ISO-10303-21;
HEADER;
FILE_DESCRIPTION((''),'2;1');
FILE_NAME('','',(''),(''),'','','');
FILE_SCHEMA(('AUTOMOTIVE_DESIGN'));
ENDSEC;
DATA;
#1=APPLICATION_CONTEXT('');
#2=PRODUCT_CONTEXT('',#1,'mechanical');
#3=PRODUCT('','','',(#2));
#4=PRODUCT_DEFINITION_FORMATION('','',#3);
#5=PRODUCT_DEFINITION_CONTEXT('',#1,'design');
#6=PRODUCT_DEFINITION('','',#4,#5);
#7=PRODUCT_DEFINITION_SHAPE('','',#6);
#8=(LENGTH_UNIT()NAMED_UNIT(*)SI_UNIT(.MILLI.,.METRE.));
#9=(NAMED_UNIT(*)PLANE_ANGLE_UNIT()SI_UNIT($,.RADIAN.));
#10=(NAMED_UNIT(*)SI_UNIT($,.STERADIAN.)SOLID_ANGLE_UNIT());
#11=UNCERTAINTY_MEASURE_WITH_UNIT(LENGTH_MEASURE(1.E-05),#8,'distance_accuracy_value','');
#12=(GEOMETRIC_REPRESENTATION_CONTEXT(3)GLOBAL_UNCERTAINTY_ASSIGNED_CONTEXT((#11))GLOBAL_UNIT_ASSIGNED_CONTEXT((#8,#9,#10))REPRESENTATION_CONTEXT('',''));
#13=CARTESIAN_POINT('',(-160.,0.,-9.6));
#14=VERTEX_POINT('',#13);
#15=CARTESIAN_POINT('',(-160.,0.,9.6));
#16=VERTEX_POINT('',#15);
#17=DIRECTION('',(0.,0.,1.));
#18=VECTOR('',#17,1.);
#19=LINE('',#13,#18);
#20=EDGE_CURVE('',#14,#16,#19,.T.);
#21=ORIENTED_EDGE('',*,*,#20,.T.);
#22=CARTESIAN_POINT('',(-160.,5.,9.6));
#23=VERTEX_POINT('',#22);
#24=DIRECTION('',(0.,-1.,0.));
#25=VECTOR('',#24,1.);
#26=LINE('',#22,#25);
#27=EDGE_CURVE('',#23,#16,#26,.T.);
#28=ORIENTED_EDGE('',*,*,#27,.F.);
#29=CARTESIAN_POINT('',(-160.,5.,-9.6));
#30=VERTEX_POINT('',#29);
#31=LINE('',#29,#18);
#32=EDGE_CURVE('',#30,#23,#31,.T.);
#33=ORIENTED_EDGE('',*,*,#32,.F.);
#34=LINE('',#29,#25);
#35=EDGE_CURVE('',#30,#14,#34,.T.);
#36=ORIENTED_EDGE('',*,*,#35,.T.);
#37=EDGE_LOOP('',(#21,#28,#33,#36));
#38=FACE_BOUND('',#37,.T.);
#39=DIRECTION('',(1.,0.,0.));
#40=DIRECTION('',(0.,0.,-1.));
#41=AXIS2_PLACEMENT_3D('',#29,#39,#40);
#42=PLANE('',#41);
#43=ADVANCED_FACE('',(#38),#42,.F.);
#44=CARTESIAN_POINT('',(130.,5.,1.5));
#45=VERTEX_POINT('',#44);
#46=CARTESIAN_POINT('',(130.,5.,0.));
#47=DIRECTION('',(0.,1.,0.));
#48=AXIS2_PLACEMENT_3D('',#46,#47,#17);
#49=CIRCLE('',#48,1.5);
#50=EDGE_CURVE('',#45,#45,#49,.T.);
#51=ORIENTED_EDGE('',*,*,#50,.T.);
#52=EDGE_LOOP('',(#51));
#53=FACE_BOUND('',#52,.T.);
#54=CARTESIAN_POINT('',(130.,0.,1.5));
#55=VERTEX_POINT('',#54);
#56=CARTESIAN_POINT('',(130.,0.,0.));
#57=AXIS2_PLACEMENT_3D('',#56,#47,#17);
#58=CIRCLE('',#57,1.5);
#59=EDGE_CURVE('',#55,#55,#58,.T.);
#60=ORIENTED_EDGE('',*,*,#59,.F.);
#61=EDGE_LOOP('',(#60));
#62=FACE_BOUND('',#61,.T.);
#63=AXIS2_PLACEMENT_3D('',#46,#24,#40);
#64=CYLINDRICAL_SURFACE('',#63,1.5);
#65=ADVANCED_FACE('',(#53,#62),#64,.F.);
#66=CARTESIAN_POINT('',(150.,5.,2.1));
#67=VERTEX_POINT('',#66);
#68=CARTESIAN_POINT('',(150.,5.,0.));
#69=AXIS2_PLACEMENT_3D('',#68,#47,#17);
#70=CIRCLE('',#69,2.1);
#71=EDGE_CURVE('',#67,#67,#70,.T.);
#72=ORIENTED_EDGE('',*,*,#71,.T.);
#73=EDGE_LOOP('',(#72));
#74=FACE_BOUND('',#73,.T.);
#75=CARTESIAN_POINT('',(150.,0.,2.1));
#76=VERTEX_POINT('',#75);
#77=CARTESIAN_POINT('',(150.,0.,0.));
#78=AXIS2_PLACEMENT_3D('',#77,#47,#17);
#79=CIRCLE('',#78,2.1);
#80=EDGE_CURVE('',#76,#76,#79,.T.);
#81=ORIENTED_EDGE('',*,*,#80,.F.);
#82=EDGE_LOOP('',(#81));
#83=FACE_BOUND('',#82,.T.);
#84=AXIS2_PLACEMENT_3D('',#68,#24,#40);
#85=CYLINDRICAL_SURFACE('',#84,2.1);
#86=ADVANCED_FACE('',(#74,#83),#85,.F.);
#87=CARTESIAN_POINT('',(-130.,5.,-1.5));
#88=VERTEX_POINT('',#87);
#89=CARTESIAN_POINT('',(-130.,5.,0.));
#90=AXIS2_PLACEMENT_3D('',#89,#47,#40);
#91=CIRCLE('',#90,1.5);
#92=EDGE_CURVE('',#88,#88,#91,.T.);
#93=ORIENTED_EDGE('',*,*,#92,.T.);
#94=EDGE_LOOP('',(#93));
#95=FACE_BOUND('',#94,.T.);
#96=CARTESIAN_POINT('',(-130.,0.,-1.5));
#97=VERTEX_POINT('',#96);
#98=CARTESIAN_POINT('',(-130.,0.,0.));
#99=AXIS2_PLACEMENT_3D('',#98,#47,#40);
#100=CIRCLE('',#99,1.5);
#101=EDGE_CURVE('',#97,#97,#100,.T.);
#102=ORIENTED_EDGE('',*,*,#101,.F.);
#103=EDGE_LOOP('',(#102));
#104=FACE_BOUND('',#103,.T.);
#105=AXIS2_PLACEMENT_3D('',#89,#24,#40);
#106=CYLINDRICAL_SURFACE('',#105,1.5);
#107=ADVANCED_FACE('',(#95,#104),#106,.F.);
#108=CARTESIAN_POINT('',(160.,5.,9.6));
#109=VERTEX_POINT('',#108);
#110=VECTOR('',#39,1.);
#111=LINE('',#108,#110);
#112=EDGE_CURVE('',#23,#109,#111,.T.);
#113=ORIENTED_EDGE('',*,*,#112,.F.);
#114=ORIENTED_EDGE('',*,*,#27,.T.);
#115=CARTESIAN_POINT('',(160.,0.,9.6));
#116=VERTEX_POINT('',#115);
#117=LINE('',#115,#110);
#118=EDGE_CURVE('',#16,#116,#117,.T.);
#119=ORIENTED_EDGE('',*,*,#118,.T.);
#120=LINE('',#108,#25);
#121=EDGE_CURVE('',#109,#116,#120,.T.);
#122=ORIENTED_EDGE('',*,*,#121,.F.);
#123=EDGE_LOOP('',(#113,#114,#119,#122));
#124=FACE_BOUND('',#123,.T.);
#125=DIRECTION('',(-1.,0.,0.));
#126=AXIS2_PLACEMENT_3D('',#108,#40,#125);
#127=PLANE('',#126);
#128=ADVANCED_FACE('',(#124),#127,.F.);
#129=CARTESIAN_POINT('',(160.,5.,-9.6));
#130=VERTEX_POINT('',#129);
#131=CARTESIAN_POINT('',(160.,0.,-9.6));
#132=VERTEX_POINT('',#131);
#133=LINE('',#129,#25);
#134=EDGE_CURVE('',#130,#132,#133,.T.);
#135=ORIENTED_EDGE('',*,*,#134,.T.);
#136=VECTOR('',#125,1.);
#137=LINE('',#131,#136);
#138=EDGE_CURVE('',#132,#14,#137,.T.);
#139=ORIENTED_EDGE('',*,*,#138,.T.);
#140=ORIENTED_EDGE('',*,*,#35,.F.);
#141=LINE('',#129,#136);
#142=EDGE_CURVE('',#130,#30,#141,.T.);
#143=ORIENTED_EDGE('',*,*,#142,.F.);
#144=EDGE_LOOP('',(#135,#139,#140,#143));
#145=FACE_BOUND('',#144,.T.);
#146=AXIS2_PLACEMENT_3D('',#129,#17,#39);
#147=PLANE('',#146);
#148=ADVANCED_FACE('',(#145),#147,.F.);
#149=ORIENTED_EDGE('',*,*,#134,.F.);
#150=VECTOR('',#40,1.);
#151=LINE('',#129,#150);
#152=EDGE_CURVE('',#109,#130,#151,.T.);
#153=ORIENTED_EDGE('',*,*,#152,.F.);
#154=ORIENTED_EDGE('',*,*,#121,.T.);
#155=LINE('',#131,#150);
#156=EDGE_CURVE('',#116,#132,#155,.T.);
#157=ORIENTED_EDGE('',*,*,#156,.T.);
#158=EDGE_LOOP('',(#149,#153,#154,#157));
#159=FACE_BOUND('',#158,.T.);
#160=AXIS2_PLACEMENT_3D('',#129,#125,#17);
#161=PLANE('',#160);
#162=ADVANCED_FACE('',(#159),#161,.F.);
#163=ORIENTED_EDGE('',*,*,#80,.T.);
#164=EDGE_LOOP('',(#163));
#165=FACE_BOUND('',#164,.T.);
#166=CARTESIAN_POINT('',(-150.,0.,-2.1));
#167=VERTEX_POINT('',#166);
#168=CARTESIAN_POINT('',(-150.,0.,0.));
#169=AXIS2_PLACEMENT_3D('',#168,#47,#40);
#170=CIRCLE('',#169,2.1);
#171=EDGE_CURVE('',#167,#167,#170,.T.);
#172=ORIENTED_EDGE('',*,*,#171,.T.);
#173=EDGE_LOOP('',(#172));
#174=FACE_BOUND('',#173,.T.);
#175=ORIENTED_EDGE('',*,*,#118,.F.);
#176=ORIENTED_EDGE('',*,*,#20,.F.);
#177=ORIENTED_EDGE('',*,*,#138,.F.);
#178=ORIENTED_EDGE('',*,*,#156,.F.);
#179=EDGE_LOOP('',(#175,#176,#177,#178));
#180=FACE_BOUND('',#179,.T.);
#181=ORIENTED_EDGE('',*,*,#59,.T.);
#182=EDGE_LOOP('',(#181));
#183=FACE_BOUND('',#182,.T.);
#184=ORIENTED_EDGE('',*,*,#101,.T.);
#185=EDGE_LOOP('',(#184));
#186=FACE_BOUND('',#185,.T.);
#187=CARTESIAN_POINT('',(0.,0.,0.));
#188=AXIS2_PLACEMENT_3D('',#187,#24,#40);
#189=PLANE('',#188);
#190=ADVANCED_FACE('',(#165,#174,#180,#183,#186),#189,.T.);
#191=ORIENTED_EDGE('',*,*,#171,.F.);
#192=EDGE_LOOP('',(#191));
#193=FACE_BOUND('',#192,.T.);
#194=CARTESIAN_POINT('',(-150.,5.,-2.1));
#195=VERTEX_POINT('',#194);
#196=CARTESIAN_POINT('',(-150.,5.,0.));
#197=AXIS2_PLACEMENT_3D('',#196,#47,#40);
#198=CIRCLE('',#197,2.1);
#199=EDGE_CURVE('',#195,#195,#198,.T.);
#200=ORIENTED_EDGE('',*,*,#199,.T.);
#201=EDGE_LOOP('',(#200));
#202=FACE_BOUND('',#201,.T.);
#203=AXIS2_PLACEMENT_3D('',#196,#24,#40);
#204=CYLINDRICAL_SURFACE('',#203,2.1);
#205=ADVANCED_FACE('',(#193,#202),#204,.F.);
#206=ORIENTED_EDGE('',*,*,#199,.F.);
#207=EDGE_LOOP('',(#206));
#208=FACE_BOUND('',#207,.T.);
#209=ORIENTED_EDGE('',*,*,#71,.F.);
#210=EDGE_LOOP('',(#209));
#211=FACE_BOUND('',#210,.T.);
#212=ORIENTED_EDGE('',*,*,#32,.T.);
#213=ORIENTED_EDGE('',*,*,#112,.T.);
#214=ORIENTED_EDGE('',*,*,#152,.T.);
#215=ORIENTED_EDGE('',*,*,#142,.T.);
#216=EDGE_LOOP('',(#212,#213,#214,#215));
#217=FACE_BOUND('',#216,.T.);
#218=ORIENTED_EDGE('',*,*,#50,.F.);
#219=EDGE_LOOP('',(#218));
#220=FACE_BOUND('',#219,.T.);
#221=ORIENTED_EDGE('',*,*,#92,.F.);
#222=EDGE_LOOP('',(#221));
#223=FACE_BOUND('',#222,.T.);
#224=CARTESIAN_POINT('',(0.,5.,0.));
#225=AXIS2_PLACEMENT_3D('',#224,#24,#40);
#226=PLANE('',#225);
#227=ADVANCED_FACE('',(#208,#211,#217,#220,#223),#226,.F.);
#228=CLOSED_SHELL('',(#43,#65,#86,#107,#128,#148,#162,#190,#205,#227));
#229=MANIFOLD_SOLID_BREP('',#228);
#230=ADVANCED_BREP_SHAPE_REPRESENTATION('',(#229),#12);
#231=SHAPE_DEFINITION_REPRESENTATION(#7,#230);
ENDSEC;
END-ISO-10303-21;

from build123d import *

# Parameters (mm, degrees)
SKETCH1_W           = 320
SKETCH1_H           = 19.2
SKETCH1_R           = 1.5
SKETCH1_R_2         = 2.1
BOSS_EXTRUDE1_DEPTH = 5


with BuildPart() as part:
    # Sketch1 → Boss-Extrude1 (new body)
    with BuildSketch(Plane(origin=(0, 0, 0), x_dir=(1, 0, 0), z_dir=(0, 1, 0))):
        Rectangle(SKETCH1_W, SKETCH1_H)
        with Locations((130, 0)):
            Circle(SKETCH1_R, mode=Mode.SUBTRACT)
        with Locations((-130, 0)):
            Circle(SKETCH1_R, mode=Mode.SUBTRACT)
        with Locations((150, 0)):
            Circle(SKETCH1_R_2, mode=Mode.SUBTRACT)
        with Locations((-150, 0)):
            Circle(SKETCH1_R_2, mode=Mode.SUBTRACT)
    extrude(amount=BOSS_EXTRUDE1_DEPTH)


solid = part.part
